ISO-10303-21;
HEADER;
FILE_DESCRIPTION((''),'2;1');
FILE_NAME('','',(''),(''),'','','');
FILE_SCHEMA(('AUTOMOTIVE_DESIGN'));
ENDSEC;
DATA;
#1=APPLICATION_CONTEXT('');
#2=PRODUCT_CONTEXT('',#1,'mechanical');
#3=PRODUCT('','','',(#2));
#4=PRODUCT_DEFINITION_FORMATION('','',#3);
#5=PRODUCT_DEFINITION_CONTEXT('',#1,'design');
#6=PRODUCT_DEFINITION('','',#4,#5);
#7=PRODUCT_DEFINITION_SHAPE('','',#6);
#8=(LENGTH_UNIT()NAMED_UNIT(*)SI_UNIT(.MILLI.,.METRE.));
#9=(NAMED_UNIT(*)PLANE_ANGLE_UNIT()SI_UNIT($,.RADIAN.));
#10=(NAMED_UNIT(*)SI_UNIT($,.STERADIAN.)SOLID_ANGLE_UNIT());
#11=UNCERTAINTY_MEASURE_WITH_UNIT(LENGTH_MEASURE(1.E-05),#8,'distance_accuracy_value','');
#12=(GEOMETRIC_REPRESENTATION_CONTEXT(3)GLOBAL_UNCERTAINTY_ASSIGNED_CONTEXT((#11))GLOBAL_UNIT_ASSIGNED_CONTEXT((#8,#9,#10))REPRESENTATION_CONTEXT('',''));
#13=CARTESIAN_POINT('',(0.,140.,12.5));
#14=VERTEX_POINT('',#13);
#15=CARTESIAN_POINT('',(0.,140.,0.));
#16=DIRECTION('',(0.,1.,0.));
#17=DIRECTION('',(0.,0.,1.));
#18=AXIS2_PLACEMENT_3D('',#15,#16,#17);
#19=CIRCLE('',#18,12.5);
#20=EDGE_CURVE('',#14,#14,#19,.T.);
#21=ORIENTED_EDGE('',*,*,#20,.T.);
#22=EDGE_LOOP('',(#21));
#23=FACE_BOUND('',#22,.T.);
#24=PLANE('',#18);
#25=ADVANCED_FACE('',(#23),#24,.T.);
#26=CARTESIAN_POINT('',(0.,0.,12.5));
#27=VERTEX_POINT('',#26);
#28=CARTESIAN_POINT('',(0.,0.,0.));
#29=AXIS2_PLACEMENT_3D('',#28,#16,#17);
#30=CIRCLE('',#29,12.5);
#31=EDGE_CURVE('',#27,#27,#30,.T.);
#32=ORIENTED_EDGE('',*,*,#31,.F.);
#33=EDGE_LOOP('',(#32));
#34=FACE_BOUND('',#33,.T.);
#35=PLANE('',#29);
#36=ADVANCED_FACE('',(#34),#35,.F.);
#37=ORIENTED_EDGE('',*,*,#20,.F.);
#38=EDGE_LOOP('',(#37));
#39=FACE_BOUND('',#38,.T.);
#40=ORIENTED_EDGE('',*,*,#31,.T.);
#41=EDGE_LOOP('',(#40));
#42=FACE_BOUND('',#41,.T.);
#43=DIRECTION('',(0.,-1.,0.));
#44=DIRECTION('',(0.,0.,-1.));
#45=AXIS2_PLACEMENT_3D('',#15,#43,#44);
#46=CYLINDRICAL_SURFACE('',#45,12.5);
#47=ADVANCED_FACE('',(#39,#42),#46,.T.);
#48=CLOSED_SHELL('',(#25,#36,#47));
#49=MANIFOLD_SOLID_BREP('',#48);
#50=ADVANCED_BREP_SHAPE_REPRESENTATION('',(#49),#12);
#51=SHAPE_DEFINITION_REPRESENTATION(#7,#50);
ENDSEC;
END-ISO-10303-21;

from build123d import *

# Parameters (mm, degrees)
SKETCH1_R           = 12.5
BOSS_EXTRUDE1_DEPTH = 140


with BuildPart() as part:
    # Sketch1 → Boss-Extrude1 (new body)
    with BuildSketch(Plane(origin=(0, 0, 0), x_dir=(1, 0, 0), z_dir=(0, 1, 0))):
        Circle(SKETCH1_R)
    extrude(amount=BOSS_EXTRUDE1_DEPTH)


solid = part.part
